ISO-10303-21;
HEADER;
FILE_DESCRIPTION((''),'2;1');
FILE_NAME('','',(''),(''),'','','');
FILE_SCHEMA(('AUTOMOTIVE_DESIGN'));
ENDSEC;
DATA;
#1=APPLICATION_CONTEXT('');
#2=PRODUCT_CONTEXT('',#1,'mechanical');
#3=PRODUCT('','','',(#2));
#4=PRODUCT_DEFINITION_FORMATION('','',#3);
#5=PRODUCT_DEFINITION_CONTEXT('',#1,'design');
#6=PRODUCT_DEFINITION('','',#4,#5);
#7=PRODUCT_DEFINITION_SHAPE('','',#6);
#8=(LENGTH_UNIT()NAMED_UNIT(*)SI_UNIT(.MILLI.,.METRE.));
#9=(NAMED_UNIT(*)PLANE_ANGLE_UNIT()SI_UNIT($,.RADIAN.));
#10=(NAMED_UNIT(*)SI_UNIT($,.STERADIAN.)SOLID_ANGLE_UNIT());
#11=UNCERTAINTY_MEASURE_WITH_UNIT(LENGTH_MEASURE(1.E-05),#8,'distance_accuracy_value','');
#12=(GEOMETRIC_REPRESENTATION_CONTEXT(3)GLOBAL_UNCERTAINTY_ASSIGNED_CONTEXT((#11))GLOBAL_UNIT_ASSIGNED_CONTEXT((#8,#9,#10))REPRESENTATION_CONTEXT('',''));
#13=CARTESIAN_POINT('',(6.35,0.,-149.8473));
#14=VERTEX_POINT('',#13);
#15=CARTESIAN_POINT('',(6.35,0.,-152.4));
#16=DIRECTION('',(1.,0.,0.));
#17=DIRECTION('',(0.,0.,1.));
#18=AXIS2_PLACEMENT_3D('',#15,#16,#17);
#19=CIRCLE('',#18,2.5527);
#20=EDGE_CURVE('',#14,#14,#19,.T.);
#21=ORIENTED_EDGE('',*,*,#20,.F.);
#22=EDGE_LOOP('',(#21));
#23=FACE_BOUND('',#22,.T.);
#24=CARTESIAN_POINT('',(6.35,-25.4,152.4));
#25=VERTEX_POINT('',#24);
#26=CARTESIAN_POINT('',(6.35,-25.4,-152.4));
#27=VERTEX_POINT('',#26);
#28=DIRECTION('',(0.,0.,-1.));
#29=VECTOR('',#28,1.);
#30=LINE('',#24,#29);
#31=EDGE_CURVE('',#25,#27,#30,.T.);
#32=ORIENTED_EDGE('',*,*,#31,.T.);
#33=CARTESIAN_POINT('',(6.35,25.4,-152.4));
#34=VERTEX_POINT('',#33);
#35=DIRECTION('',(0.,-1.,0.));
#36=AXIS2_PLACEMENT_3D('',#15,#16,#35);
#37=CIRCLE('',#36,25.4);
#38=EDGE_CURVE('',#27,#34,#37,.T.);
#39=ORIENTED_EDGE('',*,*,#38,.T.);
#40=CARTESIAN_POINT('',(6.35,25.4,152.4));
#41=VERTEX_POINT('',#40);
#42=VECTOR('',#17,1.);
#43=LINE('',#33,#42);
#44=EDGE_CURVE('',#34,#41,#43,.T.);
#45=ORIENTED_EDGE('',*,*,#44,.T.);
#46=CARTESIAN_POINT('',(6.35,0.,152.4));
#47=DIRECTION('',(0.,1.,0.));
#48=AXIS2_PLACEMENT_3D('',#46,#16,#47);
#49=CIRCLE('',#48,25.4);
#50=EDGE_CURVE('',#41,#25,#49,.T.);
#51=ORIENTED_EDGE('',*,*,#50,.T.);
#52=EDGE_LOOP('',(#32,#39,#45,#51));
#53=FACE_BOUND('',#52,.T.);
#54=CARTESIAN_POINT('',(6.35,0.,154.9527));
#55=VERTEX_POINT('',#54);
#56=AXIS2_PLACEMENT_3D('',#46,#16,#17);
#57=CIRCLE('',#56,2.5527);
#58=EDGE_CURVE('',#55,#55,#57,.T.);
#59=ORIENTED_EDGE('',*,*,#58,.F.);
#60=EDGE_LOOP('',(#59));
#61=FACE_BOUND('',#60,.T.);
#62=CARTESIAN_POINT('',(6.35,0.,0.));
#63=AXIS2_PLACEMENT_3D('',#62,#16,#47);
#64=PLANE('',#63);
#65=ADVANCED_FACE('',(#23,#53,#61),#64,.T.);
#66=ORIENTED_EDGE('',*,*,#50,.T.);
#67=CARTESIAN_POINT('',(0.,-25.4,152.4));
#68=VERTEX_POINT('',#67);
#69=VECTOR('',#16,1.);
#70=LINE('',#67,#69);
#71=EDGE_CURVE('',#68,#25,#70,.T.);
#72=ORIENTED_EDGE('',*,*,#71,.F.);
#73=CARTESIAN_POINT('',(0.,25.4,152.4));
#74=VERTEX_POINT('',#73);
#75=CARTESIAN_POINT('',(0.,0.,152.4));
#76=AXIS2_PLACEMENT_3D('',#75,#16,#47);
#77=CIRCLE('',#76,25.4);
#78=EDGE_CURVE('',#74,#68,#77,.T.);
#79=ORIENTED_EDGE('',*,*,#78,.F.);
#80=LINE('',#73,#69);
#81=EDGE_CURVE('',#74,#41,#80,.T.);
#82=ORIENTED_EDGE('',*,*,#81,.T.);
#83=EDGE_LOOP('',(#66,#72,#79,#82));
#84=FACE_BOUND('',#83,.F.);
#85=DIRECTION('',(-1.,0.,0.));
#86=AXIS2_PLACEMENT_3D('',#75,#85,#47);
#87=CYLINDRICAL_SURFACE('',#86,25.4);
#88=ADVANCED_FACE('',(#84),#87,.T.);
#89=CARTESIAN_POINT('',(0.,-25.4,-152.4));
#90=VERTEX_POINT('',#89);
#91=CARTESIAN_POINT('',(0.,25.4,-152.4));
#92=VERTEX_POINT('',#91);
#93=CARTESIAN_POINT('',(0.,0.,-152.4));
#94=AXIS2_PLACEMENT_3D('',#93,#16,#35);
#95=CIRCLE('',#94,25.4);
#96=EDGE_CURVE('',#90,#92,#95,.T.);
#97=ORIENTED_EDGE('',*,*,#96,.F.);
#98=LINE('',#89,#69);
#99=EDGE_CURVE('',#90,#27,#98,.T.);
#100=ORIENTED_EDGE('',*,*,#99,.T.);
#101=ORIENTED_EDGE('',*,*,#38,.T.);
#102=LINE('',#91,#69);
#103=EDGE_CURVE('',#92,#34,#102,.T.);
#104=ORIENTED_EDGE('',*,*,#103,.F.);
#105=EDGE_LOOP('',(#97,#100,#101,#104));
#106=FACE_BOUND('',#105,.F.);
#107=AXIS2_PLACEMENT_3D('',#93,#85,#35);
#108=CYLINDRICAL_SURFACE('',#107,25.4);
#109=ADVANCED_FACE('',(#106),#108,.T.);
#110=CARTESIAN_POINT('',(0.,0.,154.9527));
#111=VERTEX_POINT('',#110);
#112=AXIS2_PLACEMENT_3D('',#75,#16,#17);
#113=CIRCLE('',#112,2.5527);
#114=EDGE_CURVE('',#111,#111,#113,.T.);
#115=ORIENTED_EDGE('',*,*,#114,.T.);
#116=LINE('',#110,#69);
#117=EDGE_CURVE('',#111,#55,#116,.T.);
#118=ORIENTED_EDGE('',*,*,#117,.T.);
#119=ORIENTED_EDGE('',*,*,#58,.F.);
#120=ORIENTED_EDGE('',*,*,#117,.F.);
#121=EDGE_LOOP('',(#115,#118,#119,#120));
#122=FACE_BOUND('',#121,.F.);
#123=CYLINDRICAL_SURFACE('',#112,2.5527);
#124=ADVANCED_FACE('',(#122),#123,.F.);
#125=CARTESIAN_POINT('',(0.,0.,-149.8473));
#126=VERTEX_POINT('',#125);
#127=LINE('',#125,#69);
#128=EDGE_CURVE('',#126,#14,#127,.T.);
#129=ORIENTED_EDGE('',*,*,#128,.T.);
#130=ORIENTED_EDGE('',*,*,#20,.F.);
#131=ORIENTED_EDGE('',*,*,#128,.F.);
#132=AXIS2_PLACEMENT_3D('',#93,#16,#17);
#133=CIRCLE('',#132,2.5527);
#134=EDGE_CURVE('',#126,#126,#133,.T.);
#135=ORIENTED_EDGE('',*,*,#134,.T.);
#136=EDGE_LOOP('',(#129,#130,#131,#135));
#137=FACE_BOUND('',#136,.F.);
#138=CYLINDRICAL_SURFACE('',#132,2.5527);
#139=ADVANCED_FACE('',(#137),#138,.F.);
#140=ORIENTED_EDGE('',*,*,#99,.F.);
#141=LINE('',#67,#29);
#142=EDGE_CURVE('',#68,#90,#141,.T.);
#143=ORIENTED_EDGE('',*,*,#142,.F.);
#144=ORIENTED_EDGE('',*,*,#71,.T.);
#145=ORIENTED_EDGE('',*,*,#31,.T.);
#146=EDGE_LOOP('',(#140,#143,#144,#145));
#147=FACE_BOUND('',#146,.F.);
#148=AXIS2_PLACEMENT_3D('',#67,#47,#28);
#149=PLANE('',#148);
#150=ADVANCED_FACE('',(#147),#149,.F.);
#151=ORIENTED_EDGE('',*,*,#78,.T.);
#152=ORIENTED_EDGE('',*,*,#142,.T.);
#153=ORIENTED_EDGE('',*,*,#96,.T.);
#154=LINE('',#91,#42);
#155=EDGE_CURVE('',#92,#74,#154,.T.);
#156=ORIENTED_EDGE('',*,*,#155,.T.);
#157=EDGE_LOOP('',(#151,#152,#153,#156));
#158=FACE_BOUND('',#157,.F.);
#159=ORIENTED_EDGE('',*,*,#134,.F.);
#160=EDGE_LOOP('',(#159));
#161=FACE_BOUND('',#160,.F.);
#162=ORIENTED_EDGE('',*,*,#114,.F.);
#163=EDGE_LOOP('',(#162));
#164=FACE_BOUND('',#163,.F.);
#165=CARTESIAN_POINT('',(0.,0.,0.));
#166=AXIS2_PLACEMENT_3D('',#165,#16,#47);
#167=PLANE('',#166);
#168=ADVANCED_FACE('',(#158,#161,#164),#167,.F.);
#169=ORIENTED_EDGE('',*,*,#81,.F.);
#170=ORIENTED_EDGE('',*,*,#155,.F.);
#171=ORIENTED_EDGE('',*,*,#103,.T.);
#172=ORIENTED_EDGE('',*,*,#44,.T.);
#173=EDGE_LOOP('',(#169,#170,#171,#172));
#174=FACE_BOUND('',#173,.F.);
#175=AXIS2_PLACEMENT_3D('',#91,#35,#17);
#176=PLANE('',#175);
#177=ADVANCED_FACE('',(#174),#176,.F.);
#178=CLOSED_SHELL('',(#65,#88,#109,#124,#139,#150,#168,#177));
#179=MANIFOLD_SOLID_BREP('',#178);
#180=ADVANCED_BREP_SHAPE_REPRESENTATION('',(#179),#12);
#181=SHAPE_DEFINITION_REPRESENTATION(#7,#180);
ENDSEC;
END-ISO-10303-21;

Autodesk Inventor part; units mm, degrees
ref_plane "YZ Plane" through (0, 0, 0) normal (1, 0, 0) x (0, 1, 0)
ref_plane "XZ Plane" through (0, 0, 0) normal (0, 1, 0) x (-1, 0, 0)
ref_plane "XY Plane" through (0, 0, 0) normal (0, 0, 1) x (1, 0, 0)
sketch "Sketch1" plane through (0, 0, 0) normal (1, 0, 0) x (0, 1, 0)
  line L0 (0, -152.4) -> (0, 152.4) construction
  line L1 (25.4, -152.4) -> (25.4, 152.4)
  line L2 (-25.4, 152.4) -> (-25.4, -152.4)
  arc A0 (-25.4, -152.4) -> (25.4, -152.4) centre (0, -152.4) ccw
  arc A1 (25.4, 152.4) -> (-25.4, 152.4) centre (0, 152.4) ccw
  point P0 (0, 0)
  dimension "d0" = 50.8
  dimension "d1" = 304.8
extrude "Extrusion1" add sketch "Sketch1" along normal blind 6.35
hole "Hole1" at (0, 0, 152.4) at (0, 0, -152.4) direction (1, 0, 0) diameter 5.1054 end through all clearance for "Flat Head Machine Screw (82)" size "#10" standard "Ansi Unified Screw Threads"
properties part number "GI - 006" material "Aluminum 6061"
